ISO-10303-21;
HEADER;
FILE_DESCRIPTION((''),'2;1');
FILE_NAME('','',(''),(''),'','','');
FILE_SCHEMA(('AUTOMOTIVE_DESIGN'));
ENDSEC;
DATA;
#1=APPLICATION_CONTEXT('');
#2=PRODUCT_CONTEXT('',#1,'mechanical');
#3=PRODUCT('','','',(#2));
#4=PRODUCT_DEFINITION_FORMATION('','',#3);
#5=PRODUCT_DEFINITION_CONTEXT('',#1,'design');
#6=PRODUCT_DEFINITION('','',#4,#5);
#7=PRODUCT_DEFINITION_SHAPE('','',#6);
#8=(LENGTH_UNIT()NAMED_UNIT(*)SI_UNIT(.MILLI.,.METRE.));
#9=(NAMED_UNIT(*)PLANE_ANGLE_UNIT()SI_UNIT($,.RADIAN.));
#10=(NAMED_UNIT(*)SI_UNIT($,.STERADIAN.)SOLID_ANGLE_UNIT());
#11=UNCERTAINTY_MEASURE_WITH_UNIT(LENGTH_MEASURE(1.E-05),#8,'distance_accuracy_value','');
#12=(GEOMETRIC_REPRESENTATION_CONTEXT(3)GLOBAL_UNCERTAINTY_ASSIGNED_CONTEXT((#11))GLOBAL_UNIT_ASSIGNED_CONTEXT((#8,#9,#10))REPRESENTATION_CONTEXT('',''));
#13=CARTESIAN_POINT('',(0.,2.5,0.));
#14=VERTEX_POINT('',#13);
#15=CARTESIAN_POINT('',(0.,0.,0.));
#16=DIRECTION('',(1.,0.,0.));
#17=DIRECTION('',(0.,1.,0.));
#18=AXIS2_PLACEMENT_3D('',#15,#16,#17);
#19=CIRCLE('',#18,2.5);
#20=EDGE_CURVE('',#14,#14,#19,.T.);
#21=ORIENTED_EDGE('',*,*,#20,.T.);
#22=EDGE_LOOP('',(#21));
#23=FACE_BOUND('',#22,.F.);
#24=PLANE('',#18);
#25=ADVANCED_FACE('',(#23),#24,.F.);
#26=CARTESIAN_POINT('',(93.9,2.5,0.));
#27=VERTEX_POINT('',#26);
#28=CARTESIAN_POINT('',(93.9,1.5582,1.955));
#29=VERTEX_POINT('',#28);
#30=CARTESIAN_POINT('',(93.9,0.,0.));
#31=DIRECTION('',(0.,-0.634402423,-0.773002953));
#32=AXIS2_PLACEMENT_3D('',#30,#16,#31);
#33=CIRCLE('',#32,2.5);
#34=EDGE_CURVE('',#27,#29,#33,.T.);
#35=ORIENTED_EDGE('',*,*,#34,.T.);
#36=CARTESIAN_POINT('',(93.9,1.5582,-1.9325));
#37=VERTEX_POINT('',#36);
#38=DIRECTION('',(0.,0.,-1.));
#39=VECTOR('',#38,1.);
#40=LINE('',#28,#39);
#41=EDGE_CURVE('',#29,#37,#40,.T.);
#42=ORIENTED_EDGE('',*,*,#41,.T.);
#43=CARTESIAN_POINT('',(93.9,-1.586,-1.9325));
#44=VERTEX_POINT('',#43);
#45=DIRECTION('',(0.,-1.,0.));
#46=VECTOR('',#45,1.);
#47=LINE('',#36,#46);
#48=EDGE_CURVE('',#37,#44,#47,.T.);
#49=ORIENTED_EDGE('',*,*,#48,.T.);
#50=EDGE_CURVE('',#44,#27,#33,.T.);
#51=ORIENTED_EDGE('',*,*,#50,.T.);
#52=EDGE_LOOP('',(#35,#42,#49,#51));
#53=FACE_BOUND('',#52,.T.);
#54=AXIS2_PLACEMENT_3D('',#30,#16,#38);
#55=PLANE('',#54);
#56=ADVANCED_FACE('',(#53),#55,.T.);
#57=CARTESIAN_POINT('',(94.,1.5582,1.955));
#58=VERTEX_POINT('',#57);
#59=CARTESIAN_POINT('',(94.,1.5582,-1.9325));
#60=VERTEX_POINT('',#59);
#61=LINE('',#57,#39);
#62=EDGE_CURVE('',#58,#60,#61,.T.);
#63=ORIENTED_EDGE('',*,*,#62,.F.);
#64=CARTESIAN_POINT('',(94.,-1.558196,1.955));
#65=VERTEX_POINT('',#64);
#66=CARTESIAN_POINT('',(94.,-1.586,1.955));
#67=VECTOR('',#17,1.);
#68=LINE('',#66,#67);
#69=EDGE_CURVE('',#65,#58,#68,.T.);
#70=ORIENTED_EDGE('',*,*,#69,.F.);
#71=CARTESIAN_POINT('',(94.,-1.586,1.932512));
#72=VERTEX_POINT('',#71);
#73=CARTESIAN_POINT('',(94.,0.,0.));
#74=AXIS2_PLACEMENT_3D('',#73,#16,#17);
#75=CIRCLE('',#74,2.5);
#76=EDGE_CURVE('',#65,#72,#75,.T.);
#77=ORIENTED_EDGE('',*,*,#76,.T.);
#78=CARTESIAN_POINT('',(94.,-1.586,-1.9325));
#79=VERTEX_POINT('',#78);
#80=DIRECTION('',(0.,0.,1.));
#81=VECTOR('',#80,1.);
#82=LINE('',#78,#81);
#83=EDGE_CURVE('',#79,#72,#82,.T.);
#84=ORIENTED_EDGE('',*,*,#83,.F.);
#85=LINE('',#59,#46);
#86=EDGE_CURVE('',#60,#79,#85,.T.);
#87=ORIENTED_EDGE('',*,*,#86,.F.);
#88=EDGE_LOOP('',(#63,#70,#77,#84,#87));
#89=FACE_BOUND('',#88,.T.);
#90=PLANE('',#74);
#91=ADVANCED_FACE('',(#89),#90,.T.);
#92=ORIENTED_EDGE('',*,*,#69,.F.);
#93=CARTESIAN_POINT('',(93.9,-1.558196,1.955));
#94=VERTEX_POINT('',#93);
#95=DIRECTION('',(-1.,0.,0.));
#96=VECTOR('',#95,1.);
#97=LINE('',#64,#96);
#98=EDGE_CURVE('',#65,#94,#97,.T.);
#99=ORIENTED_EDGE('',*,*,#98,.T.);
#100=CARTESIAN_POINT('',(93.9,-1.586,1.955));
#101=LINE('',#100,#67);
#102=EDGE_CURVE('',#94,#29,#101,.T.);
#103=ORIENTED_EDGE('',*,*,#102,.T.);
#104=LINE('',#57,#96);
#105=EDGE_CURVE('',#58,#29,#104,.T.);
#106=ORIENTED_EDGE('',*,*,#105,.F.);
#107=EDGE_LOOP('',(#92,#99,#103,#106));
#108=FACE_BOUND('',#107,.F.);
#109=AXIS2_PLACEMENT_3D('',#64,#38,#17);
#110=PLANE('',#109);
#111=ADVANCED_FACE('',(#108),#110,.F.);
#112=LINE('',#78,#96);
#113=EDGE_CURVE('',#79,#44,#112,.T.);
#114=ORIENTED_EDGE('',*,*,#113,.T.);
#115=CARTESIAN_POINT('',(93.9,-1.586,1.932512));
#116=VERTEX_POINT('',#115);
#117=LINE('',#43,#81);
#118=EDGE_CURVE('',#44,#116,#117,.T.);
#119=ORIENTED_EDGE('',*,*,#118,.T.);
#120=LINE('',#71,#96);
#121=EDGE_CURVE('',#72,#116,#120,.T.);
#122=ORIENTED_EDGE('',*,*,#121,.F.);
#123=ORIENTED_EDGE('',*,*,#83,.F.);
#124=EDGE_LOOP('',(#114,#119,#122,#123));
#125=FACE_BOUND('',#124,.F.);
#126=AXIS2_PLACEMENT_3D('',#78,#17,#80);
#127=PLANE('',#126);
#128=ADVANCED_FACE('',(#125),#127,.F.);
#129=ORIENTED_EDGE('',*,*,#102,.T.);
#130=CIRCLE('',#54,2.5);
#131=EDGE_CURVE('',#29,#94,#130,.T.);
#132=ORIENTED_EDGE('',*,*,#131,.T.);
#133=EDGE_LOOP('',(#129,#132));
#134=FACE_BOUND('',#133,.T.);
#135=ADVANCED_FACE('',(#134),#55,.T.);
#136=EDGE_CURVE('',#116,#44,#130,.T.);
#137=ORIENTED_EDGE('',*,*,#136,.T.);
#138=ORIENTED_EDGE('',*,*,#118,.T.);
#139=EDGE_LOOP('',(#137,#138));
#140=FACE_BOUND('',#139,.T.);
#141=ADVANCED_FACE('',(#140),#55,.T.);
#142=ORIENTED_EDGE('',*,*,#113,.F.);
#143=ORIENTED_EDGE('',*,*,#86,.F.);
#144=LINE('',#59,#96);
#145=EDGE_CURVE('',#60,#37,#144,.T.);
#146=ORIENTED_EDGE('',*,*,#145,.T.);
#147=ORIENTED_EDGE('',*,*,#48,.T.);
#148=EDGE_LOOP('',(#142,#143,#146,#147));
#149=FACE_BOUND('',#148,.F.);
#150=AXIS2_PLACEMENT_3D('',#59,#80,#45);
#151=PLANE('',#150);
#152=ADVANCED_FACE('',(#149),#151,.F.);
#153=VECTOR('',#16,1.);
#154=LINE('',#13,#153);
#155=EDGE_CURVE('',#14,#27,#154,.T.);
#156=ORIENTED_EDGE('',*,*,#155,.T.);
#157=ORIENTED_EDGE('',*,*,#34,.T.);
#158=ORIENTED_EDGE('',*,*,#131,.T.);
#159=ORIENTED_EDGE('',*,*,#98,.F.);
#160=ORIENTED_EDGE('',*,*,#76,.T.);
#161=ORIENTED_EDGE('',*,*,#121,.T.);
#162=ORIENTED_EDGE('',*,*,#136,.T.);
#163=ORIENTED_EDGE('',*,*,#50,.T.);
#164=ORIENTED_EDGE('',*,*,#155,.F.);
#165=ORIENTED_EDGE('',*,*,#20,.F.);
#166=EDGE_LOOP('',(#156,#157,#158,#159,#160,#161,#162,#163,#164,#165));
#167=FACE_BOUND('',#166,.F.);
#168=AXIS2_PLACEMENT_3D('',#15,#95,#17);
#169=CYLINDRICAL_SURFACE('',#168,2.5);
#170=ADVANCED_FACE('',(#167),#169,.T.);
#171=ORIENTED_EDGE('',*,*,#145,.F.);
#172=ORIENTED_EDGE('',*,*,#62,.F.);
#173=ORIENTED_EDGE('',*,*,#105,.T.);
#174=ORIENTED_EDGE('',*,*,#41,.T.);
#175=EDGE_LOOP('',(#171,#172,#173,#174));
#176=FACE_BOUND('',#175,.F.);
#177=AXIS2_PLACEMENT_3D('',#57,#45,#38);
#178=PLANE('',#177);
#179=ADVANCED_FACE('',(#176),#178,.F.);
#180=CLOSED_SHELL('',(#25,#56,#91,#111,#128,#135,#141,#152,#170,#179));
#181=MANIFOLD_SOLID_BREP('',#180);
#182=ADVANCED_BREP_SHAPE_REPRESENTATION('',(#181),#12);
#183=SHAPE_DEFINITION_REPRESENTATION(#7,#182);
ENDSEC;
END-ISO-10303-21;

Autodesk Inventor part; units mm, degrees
ref_plane "YZ Plane" through (0, 0, 0) normal (1, 0, 0) x (0, 1, 0)
ref_plane "XZ Plane" through (0, 0, 0) normal (0, 1, 0) x (-1, 0, 0)
ref_plane "XY Plane" through (0, 0, 0) normal (0, 0, 1) x (1, 0, 0)
sketch "Sketch1" plane through (0, 0, 0) normal (1, 0, 0) x (0, 1, 0)
  circle A0 centre (0, 0) radius 2.5
  dimension "d0" = 5
extrude "Extrusion1" add sketch "Sketch1" along normal blind 94
sketch "Sketch2" plane through (94, 0, 0) normal (1, 0, 0) x (0, 0, -1)
  circle A0 centre (0, 0) radius 2.5 projected
  line L0 (-1.955, 1.5582) -> (1.9325, 1.5582)
  line L1 (1.9325, 1.5582) -> (1.9325, -1.586)
  line L2 (1.9325, -1.586) -> (-1.955, -1.586)
  line L3 (-1.955, -1.586) -> (-1.955, 1.5582)
  point P0 (-1.955, -1.5582)
  point P1 (-1.9325, -1.586)
extrude "Extrusion2" cut sketch "Sketch2" against normal blind 0.1 contours A0 L1 L0 | L3 A0 | A0 L2
properties part number "GuiderodsRS3" material "Steel"
